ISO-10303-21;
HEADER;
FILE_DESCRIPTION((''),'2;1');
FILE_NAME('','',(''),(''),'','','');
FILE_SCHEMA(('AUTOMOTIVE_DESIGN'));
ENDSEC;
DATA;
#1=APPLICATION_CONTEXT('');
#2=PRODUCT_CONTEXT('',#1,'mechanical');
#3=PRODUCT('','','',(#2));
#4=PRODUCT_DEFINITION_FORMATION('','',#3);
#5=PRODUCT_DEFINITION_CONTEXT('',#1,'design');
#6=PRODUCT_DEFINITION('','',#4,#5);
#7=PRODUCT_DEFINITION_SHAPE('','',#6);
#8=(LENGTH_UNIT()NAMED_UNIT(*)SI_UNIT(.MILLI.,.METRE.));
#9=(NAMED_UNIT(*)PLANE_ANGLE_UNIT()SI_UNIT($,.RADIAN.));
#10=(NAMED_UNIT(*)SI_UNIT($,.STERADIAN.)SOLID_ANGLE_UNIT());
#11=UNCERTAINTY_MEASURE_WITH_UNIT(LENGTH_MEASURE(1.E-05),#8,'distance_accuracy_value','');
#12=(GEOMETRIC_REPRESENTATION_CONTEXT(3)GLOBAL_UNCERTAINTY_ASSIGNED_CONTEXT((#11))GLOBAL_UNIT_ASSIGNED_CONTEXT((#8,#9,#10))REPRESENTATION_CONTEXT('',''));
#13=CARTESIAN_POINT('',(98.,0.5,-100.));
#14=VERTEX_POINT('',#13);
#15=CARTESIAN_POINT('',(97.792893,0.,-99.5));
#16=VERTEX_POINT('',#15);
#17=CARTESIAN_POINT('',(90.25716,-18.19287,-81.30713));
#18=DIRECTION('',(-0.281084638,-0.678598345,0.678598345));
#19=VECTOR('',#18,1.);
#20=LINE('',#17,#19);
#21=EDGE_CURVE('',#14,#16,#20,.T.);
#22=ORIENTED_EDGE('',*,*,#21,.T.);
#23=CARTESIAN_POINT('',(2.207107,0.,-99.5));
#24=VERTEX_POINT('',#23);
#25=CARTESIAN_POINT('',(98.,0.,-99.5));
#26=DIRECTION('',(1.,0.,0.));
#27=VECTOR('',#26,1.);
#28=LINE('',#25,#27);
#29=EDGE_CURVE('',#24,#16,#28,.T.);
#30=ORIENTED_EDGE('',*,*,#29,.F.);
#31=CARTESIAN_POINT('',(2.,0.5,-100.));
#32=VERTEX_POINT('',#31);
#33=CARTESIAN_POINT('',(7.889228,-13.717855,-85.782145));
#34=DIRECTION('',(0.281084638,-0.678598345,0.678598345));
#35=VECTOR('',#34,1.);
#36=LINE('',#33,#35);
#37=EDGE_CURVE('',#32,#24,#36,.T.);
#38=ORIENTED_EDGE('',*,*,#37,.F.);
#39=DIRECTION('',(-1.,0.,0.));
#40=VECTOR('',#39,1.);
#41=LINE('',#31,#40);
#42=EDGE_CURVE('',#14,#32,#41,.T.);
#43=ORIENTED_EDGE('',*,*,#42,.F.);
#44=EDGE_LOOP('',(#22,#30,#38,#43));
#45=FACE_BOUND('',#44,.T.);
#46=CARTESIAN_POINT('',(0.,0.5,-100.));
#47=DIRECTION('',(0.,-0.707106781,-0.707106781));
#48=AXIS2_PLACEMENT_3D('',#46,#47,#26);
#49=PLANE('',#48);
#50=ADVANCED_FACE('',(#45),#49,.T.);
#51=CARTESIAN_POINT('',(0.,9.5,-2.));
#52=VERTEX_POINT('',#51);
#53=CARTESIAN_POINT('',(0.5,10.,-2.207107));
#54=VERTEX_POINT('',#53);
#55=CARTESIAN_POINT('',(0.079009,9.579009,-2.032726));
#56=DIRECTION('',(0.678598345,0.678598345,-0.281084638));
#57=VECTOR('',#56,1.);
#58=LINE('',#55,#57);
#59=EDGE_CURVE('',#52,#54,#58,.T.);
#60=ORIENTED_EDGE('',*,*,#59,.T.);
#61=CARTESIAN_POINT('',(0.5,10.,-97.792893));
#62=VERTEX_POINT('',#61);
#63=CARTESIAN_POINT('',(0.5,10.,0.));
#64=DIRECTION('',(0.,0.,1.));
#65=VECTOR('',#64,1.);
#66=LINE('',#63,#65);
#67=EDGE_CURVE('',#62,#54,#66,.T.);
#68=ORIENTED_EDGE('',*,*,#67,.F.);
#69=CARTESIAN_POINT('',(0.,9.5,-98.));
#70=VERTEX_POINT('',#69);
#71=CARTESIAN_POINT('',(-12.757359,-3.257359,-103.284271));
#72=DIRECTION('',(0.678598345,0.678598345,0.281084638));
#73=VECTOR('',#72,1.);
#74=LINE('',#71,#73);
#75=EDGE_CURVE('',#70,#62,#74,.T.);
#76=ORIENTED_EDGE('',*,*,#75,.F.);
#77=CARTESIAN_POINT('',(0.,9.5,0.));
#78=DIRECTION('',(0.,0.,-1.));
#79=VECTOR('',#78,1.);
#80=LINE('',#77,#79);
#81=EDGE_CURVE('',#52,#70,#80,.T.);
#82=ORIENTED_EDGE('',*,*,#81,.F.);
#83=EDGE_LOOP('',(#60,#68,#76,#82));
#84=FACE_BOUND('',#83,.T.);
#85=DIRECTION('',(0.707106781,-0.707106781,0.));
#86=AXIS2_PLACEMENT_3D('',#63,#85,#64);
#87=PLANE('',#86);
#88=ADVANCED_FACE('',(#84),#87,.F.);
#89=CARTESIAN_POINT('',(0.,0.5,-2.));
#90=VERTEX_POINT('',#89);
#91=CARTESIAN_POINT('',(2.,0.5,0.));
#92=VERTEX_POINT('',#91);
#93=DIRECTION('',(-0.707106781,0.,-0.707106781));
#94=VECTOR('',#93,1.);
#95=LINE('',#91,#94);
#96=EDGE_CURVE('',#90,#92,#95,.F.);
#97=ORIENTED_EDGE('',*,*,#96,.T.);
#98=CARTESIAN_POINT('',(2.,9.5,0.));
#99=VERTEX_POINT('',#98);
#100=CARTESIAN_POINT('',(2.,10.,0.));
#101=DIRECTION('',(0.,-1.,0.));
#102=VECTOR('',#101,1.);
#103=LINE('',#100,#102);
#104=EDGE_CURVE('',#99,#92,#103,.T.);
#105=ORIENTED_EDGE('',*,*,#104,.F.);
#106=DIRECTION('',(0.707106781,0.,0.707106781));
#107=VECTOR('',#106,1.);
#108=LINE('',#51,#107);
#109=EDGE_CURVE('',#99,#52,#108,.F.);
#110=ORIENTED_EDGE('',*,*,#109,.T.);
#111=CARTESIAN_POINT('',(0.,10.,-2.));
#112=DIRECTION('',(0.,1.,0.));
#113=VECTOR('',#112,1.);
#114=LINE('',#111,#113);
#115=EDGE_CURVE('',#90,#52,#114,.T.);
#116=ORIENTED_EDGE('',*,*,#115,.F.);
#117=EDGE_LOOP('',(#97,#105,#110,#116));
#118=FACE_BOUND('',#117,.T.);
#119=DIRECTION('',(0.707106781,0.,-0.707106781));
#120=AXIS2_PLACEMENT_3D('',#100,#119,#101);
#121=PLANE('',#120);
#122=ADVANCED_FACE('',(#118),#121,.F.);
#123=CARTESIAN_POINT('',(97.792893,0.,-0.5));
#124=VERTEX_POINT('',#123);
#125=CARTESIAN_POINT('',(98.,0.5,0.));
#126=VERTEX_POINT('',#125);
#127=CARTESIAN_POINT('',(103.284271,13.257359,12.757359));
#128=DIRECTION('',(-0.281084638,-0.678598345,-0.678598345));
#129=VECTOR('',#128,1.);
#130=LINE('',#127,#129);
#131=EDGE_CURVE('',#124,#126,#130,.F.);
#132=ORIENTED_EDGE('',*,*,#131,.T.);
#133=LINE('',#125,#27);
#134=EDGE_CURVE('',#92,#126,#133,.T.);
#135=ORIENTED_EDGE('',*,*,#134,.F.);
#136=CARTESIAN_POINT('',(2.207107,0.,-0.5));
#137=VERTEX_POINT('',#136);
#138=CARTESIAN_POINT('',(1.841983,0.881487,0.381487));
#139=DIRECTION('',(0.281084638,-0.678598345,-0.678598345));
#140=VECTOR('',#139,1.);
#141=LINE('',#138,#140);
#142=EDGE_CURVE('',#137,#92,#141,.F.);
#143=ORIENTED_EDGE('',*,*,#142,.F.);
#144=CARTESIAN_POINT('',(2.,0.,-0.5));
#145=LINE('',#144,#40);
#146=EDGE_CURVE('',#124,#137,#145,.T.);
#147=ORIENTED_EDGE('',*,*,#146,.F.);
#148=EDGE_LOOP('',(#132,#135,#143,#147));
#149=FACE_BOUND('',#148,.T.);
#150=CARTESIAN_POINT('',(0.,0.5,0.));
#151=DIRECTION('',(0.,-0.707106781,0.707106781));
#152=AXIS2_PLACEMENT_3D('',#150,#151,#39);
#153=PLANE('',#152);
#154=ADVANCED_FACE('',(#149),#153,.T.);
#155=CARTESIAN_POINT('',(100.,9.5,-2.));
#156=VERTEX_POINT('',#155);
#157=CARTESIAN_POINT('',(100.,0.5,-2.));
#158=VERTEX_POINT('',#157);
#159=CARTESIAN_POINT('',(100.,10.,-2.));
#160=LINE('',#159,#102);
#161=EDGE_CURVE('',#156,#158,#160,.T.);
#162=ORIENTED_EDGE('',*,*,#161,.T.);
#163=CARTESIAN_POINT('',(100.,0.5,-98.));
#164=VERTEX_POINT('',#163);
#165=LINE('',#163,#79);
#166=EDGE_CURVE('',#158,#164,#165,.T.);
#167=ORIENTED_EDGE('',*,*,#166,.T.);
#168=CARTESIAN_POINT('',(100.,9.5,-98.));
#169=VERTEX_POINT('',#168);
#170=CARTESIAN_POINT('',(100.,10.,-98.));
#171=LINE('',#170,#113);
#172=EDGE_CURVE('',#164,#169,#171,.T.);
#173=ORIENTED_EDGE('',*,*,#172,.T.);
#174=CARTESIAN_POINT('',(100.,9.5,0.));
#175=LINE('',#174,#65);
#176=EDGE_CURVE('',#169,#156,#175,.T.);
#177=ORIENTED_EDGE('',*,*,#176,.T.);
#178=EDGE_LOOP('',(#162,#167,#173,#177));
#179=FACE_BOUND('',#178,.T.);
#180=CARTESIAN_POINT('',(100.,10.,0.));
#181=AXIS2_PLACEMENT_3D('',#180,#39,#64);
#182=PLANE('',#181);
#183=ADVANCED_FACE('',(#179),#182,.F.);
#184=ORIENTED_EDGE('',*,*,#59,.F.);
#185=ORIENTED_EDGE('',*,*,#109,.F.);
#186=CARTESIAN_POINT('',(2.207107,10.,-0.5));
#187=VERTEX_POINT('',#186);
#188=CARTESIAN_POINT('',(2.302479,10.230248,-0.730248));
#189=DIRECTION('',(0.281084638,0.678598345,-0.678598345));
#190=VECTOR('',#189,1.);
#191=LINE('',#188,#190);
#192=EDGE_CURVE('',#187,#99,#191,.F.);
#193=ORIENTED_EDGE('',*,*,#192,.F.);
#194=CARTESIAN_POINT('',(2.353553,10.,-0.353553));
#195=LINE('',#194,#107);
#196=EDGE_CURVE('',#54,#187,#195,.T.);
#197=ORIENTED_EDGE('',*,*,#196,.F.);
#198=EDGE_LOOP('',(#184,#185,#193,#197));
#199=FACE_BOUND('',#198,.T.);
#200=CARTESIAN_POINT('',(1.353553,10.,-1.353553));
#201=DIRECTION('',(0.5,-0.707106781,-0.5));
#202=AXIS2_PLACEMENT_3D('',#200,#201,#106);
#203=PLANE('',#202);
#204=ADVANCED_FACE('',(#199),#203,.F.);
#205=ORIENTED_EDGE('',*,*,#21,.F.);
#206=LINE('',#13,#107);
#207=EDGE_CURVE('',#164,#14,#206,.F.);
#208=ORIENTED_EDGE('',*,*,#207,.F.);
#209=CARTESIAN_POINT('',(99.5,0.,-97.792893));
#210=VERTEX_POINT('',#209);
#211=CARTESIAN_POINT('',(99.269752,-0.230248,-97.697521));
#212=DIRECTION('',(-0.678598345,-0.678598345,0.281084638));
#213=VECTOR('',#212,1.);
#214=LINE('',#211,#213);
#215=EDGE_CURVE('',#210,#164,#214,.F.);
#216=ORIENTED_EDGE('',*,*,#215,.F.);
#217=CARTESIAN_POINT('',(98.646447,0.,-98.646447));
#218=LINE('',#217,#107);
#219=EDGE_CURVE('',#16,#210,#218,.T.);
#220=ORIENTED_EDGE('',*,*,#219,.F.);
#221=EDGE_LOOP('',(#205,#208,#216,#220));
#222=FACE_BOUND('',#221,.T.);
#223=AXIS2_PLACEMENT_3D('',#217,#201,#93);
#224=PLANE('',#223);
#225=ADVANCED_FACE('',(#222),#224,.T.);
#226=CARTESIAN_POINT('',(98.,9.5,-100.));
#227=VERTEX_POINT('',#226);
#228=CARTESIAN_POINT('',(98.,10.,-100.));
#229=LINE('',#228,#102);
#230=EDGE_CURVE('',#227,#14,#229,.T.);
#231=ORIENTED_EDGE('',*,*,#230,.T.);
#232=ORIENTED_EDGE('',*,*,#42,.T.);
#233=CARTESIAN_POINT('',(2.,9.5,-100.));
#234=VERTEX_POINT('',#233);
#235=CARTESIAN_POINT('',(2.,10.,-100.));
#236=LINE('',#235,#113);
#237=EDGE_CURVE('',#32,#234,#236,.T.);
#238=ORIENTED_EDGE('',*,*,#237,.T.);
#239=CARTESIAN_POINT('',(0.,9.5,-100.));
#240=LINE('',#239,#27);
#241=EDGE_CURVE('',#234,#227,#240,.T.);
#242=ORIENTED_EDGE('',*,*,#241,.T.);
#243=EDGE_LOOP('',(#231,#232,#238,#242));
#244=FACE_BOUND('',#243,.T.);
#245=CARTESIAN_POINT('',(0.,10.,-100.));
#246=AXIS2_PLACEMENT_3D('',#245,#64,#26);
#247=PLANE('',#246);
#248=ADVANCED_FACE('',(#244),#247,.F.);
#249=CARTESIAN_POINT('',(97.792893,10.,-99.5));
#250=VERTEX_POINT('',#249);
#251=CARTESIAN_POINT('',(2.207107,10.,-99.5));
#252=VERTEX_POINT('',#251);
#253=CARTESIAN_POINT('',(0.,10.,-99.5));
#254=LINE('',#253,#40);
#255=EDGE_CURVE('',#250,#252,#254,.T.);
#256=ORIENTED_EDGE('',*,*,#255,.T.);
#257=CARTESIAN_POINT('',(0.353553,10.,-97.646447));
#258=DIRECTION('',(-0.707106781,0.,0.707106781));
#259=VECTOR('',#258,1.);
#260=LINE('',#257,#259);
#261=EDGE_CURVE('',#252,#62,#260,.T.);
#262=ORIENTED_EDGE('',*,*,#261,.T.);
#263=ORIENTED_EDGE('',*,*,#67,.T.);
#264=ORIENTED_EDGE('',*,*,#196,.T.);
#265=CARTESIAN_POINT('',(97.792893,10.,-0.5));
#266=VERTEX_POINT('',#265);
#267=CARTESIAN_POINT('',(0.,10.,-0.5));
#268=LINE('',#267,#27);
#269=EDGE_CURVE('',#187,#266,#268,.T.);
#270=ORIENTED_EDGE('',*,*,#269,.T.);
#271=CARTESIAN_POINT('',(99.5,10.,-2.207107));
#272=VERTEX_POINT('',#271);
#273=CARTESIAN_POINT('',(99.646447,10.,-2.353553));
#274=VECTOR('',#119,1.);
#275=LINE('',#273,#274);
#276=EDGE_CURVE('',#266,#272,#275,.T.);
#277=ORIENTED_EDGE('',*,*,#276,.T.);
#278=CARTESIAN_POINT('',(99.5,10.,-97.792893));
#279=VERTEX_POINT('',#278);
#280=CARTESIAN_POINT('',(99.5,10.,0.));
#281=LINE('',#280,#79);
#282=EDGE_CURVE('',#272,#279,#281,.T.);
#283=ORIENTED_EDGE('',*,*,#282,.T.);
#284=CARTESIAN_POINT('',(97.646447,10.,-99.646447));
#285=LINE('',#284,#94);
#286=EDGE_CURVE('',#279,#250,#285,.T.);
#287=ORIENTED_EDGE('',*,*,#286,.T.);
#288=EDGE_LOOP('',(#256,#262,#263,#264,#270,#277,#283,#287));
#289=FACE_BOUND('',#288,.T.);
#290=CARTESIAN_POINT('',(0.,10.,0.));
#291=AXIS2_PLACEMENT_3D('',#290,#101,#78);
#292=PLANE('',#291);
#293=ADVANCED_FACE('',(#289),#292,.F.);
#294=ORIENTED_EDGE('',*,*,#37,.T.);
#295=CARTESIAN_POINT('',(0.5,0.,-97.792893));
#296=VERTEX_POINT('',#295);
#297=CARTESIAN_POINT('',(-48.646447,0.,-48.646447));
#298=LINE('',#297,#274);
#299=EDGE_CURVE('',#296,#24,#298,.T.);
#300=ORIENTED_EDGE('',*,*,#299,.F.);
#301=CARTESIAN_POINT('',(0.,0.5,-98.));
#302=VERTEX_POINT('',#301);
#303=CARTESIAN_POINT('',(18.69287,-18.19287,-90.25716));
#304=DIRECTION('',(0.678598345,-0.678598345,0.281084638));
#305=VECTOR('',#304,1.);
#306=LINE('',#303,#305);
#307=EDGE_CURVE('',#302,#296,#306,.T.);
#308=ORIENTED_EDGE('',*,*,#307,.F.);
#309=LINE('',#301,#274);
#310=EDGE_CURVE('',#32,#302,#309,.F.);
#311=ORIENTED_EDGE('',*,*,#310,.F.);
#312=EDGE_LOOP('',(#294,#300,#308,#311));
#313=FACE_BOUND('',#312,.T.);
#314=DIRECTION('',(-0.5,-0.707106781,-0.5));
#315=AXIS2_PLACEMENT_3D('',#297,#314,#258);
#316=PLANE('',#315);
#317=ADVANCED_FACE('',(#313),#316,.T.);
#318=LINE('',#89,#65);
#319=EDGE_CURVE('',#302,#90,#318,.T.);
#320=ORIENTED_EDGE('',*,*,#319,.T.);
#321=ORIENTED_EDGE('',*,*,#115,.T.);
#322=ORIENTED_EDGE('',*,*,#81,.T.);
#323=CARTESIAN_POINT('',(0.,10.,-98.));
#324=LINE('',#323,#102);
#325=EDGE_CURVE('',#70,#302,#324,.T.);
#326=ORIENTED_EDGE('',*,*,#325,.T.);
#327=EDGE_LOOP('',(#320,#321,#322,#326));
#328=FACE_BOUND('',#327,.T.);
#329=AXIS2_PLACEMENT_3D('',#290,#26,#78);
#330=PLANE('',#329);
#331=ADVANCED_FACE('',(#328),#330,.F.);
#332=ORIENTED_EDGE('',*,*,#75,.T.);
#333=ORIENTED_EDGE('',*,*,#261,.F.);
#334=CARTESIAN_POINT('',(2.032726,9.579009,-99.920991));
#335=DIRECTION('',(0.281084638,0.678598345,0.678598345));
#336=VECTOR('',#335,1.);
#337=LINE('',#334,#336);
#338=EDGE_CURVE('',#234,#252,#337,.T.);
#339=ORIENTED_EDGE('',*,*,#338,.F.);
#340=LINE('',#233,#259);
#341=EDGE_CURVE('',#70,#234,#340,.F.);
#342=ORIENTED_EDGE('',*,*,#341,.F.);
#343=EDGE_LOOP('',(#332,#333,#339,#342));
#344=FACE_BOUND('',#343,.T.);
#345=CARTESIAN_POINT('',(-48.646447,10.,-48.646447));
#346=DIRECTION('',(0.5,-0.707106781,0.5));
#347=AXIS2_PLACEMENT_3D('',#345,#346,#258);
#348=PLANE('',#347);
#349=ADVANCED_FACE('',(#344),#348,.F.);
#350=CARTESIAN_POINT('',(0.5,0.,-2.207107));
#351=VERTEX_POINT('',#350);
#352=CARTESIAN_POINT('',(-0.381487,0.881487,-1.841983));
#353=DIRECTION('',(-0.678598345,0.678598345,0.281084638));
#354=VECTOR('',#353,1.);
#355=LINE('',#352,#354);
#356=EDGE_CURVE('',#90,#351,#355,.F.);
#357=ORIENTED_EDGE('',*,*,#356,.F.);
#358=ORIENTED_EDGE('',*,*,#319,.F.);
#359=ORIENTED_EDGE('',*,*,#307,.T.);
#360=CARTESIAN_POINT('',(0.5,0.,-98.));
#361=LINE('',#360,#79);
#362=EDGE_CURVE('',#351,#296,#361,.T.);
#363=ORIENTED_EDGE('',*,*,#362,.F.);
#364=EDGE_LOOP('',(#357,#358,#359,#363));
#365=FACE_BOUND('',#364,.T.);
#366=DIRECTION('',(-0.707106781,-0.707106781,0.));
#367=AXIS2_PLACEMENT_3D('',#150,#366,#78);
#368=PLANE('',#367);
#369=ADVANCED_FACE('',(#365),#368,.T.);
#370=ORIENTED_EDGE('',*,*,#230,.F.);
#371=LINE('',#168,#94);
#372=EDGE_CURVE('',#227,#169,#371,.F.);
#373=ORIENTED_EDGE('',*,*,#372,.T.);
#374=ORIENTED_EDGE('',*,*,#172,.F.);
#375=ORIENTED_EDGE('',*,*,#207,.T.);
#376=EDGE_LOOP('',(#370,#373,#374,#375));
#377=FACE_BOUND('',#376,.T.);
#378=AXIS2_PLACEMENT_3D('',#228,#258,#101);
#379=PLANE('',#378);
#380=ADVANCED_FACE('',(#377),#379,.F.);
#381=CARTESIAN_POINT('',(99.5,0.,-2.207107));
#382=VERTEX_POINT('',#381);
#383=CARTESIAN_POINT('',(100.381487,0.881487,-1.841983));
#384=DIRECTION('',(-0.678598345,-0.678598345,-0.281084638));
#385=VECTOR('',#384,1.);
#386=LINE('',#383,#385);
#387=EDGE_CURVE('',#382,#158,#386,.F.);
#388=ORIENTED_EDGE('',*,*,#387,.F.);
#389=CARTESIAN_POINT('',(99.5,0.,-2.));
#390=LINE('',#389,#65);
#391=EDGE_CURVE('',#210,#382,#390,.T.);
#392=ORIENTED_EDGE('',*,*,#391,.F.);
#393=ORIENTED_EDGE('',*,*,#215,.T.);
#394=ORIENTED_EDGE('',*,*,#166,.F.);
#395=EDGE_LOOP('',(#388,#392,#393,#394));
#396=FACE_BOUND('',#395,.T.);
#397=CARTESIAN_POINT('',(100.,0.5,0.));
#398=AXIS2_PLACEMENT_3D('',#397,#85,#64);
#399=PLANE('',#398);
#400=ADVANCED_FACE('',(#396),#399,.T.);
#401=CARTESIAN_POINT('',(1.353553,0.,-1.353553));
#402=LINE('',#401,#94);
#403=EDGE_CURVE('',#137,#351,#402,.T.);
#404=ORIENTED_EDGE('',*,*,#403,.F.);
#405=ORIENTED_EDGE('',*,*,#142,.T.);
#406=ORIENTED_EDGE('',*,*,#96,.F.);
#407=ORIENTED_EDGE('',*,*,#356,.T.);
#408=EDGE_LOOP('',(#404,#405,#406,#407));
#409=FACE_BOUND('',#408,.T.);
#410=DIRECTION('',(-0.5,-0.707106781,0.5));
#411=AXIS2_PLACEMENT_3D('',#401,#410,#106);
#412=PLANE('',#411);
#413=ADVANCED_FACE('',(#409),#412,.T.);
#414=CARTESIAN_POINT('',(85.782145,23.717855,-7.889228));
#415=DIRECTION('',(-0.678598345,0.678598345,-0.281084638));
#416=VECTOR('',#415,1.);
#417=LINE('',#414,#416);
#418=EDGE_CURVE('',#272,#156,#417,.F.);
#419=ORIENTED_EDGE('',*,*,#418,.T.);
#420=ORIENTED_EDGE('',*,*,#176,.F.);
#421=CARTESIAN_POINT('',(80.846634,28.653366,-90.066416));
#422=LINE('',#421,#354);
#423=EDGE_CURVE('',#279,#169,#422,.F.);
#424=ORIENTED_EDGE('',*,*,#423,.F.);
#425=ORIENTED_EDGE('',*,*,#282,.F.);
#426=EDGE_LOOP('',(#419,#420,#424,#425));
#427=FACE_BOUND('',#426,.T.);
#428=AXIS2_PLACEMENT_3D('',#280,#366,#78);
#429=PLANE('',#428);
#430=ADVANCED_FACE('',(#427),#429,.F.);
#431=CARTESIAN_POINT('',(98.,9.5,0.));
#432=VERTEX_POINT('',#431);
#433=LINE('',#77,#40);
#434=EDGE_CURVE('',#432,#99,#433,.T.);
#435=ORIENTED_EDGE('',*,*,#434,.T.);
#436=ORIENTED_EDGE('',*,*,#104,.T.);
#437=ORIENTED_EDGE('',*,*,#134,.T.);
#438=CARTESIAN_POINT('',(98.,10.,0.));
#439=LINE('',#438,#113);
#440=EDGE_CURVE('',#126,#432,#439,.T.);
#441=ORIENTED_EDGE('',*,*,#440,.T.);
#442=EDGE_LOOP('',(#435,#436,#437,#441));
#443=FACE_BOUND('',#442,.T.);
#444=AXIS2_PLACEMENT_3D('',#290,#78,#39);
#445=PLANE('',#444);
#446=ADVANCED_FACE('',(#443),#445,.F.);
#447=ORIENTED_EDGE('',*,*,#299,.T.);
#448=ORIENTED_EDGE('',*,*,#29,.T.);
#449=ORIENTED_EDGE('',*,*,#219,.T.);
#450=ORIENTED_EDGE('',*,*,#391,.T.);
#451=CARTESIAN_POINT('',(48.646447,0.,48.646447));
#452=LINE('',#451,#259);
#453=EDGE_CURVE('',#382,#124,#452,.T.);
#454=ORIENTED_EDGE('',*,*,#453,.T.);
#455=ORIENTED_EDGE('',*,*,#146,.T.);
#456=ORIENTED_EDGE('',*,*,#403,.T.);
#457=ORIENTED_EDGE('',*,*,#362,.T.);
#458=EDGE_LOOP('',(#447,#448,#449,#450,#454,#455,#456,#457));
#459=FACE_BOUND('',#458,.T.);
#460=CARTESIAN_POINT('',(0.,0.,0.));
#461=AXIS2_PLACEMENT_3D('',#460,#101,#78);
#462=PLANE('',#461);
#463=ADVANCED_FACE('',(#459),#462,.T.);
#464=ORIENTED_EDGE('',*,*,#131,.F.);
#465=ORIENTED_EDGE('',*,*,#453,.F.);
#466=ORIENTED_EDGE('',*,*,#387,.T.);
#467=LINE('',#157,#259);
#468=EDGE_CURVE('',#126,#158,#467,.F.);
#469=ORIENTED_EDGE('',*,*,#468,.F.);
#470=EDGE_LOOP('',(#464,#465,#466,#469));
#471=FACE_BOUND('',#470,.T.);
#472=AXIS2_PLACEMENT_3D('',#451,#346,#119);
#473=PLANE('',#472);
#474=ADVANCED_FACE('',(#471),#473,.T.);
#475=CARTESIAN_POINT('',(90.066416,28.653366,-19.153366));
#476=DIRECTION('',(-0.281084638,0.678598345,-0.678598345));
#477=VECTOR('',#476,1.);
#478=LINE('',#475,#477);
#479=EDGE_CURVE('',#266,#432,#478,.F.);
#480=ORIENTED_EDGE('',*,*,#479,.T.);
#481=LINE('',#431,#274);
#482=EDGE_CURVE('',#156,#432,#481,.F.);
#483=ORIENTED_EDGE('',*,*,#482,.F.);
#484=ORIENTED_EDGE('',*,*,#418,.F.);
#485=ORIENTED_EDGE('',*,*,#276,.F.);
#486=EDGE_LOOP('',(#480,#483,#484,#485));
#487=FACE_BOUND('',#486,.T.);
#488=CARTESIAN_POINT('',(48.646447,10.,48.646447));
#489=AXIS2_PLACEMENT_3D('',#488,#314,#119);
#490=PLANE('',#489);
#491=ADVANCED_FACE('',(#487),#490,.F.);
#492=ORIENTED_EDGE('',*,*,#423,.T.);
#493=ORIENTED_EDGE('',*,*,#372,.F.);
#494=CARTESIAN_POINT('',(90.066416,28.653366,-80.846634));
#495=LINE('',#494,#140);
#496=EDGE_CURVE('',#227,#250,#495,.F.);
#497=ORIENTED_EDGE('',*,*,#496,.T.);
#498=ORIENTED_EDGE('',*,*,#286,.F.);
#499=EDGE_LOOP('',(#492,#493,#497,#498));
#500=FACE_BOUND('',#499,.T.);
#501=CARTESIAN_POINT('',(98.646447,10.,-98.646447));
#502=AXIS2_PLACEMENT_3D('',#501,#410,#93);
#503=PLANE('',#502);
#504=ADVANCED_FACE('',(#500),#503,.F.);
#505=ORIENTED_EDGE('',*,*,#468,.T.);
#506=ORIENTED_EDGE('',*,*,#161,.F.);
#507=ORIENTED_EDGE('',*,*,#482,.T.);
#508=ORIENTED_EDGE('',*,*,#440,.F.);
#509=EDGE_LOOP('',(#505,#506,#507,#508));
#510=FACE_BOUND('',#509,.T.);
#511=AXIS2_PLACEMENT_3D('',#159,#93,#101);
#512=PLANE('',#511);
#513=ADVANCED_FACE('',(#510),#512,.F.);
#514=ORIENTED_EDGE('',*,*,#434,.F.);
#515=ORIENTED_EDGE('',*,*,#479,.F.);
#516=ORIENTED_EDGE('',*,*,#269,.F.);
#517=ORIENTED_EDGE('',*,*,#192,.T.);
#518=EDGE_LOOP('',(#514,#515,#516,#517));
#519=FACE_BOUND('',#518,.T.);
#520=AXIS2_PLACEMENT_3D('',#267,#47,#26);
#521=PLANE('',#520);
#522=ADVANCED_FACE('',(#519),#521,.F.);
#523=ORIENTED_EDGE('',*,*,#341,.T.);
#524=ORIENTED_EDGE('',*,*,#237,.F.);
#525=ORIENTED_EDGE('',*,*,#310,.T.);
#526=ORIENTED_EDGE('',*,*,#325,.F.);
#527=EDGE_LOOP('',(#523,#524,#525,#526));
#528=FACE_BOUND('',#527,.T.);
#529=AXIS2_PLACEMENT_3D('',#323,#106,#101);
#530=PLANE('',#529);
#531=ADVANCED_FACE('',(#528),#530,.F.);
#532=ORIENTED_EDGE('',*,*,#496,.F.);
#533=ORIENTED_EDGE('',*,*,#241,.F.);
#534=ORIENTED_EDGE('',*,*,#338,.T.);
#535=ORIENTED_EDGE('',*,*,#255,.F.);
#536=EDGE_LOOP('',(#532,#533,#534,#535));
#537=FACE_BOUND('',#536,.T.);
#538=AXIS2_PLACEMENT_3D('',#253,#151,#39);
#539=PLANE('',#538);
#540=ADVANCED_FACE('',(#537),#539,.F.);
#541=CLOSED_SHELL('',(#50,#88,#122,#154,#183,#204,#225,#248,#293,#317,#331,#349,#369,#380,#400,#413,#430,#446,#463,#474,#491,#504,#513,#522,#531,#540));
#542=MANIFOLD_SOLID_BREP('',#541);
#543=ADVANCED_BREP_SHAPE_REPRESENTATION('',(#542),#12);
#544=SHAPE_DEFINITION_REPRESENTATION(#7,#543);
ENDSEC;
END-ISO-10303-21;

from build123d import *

# Parameters (mm, degrees)
SKETCH1_W           = 100
SKETCH1_H           = 100
BOSS_EXTRUDE1_DEPTH = 10
CHAMFER1_SIZE       = 2
CHAMFER2_SIZE       = 0.5


with BuildPart() as part:
    # Sketch1 → Boss-Extrude1 (new body)
    with BuildSketch(Plane(origin=(0, 0, 0), x_dir=(1, 0, 0), z_dir=(0, 1, 0))):
        with Locations((50, 50)):
            Rectangle(SKETCH1_W, SKETCH1_H)
    extrude(amount=BOSS_EXTRUDE1_DEPTH)

    # Chamfer1
    chamfer1_edges = [part.edges().sort_by_distance(p)[0] for p in [
        (0, 5, -100),
        (100, 5, -100),
        (100, 5, 0),
        (0, 5, 0),
    ]]
    chamfer(chamfer1_edges, length=CHAMFER1_SIZE)

    # Chamfer2
    chamfer2_edges = [part.edges().sort_by_distance(p)[0] for p in [
        (0, 0, -50),
        (0, 10, -50),
        (50, 0, -100),
        (100, 0, -50),
        (50, 0, 0),
        (99, 0, -1),
        (1, 0, -1),
        (99, 0, -99),
        (1, 0, -99),
        (50, 10, -100),
        (50, 10, 0),
        (100, 10, -50),
        (99, 10, -1),
        (1, 10, -1),
        (99, 10, -99),
        (1, 10, -99),
    ]]
    chamfer(chamfer2_edges, length=CHAMFER2_SIZE)


solid = part.part
